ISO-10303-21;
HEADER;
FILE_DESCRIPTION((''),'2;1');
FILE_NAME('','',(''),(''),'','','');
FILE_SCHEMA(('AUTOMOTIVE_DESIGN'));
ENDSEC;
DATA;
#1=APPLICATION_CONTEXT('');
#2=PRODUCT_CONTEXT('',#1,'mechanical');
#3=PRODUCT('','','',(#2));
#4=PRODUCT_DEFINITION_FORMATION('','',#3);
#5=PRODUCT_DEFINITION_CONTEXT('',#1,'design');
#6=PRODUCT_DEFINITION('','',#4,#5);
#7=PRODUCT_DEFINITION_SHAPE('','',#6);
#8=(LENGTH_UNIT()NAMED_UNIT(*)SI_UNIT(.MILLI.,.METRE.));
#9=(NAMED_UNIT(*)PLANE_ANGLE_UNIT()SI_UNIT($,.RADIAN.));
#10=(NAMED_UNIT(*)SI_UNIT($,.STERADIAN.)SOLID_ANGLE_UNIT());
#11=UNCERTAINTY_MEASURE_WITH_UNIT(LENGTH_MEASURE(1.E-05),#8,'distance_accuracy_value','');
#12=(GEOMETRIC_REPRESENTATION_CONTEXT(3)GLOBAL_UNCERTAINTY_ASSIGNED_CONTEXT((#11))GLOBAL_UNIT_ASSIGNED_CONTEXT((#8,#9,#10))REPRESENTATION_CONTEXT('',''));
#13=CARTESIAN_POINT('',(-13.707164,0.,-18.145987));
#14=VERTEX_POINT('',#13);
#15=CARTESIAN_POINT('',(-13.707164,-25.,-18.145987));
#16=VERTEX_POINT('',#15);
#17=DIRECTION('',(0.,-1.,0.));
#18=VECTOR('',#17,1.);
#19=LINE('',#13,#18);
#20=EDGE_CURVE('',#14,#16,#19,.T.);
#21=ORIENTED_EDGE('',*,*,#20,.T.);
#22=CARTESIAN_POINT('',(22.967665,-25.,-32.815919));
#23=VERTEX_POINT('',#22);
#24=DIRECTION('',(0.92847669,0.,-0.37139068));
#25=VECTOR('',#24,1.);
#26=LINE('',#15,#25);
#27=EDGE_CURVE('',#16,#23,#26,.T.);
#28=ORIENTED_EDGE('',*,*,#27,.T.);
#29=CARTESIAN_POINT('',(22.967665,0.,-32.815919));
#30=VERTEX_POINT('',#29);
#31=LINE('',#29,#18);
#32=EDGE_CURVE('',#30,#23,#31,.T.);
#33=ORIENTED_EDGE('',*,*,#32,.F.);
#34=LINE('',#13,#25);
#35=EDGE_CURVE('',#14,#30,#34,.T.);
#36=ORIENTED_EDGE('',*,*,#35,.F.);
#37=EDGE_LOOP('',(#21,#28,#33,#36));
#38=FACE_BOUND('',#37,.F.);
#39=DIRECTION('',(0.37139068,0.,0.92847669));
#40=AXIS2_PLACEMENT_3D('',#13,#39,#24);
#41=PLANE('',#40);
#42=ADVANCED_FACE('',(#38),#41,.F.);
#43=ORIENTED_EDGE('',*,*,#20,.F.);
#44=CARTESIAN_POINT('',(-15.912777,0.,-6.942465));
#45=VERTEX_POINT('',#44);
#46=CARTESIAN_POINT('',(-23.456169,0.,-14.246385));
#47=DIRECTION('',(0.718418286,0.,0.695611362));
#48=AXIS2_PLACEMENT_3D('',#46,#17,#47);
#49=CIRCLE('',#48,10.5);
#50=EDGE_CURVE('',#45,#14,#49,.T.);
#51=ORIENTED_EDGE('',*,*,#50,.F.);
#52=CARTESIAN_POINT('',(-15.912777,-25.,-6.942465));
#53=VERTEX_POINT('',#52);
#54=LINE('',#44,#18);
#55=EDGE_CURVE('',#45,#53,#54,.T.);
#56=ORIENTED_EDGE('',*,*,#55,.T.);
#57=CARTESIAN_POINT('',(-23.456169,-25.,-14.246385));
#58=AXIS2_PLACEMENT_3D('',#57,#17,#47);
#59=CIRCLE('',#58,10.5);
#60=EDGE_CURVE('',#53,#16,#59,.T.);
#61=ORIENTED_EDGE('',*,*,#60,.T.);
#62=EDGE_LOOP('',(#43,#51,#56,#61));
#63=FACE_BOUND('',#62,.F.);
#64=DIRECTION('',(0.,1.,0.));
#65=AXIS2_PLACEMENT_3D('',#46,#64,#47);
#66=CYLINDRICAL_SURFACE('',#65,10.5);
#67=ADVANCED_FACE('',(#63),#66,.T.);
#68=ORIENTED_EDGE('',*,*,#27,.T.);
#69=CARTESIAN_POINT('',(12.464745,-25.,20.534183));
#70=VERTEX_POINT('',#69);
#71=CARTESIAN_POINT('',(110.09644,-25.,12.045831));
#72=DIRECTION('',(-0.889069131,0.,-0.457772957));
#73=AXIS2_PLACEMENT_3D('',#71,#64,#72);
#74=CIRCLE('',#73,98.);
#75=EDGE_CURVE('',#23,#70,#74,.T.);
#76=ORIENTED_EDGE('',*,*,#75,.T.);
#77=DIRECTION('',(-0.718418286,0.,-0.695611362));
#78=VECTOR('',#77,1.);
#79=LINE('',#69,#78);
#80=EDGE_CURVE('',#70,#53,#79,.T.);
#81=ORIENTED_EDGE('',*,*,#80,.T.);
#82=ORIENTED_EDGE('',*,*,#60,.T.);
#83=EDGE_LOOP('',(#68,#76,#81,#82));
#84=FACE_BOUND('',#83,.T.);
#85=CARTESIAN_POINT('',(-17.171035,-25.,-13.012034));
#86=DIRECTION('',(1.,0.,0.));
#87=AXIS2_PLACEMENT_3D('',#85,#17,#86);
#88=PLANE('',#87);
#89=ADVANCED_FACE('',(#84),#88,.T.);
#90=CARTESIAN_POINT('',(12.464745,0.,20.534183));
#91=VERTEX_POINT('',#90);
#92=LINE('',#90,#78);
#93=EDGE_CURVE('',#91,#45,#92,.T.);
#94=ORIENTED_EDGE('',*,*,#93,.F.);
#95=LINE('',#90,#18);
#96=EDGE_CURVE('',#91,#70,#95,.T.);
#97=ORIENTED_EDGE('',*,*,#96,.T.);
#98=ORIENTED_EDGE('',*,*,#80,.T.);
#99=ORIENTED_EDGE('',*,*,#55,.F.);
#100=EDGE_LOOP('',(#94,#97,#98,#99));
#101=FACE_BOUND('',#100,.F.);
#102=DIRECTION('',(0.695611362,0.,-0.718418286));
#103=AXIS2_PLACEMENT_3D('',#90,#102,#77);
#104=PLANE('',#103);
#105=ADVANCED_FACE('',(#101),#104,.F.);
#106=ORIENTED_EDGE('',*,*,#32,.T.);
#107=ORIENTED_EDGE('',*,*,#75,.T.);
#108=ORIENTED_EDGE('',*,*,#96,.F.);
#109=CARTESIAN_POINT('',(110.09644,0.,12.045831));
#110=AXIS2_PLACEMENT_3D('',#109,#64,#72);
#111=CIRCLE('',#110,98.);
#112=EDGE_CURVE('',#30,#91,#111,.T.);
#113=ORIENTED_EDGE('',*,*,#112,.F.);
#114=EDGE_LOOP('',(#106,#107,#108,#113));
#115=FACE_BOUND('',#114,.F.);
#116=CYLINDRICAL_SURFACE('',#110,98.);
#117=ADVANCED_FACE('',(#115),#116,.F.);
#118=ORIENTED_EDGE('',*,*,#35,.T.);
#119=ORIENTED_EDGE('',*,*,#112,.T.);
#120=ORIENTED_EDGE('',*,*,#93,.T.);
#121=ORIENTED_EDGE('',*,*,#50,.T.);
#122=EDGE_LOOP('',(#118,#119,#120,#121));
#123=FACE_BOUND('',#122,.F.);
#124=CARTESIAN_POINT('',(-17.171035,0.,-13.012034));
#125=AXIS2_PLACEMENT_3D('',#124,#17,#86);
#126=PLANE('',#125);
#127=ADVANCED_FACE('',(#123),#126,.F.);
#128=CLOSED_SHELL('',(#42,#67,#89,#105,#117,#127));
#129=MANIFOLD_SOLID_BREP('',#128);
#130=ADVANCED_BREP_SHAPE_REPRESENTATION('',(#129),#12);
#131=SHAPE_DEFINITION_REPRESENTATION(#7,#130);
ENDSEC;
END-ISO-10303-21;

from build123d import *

# Parameters (mm, degrees)
F1_DEPTH = 25


with BuildPart() as f1:
    # F0 (on Front) → F1 (new body)
    with BuildSketch(Plane.XZ):
        with BuildLine():
            ThreePointArc((-13.7071640516, -18.1459867489), (-13.1456272351, -16.2320136033), (-12.9561692923, -14.2463846132))
            ThreePointArc((-12.9561692923, -14.2463846132), (-13.7233481178, -10.3065632995), (-15.9127772893, -6.9424653168))
            Line((-15.9127772893, -6.9424653168), (-23.4561692923, -14.2463846132))
            Line((-23.4561692923, -14.2463846132), (-13.7071640516, -18.1459867489))
        make_face()
        with BuildLine():
            ThreePointArc((-15.9127772893, -6.9424653168), (-13.7233481178, -10.3065632995), (-12.9561692923, -14.2463846132))
            ThreePointArc((-12.9561692923, -14.2463846132), (-13.1456272351, -16.2320136033), (-13.7071640516, -18.1459867489))
            Line((-13.7071640516, -18.1459867489), (22.9676651872, -32.8159185928))
            ThreePointArc((22.9676651872, -32.8159185928), (13.9420529566, -6.883876802), (12.4647450079, 20.5341834649))
            Line((12.4647450079, 20.5341834649), (-15.9127772893, -6.9424653168))
        make_face()
        with BuildLine():
            Line((-23.4561692923, -14.2463846132), (-15.9127772893, -6.9424653168))
            ThreePointArc((-15.9127772893, -6.9424653168), (-33.7584250516, -16.2745676107), (-13.7071640516, -18.1459867489))
            Line((-13.7071640516, -18.1459867489), (-23.4561692923, -14.2463846132))
        make_face()
    extrude(amount=F1_DEPTH)


solid = f1.part
